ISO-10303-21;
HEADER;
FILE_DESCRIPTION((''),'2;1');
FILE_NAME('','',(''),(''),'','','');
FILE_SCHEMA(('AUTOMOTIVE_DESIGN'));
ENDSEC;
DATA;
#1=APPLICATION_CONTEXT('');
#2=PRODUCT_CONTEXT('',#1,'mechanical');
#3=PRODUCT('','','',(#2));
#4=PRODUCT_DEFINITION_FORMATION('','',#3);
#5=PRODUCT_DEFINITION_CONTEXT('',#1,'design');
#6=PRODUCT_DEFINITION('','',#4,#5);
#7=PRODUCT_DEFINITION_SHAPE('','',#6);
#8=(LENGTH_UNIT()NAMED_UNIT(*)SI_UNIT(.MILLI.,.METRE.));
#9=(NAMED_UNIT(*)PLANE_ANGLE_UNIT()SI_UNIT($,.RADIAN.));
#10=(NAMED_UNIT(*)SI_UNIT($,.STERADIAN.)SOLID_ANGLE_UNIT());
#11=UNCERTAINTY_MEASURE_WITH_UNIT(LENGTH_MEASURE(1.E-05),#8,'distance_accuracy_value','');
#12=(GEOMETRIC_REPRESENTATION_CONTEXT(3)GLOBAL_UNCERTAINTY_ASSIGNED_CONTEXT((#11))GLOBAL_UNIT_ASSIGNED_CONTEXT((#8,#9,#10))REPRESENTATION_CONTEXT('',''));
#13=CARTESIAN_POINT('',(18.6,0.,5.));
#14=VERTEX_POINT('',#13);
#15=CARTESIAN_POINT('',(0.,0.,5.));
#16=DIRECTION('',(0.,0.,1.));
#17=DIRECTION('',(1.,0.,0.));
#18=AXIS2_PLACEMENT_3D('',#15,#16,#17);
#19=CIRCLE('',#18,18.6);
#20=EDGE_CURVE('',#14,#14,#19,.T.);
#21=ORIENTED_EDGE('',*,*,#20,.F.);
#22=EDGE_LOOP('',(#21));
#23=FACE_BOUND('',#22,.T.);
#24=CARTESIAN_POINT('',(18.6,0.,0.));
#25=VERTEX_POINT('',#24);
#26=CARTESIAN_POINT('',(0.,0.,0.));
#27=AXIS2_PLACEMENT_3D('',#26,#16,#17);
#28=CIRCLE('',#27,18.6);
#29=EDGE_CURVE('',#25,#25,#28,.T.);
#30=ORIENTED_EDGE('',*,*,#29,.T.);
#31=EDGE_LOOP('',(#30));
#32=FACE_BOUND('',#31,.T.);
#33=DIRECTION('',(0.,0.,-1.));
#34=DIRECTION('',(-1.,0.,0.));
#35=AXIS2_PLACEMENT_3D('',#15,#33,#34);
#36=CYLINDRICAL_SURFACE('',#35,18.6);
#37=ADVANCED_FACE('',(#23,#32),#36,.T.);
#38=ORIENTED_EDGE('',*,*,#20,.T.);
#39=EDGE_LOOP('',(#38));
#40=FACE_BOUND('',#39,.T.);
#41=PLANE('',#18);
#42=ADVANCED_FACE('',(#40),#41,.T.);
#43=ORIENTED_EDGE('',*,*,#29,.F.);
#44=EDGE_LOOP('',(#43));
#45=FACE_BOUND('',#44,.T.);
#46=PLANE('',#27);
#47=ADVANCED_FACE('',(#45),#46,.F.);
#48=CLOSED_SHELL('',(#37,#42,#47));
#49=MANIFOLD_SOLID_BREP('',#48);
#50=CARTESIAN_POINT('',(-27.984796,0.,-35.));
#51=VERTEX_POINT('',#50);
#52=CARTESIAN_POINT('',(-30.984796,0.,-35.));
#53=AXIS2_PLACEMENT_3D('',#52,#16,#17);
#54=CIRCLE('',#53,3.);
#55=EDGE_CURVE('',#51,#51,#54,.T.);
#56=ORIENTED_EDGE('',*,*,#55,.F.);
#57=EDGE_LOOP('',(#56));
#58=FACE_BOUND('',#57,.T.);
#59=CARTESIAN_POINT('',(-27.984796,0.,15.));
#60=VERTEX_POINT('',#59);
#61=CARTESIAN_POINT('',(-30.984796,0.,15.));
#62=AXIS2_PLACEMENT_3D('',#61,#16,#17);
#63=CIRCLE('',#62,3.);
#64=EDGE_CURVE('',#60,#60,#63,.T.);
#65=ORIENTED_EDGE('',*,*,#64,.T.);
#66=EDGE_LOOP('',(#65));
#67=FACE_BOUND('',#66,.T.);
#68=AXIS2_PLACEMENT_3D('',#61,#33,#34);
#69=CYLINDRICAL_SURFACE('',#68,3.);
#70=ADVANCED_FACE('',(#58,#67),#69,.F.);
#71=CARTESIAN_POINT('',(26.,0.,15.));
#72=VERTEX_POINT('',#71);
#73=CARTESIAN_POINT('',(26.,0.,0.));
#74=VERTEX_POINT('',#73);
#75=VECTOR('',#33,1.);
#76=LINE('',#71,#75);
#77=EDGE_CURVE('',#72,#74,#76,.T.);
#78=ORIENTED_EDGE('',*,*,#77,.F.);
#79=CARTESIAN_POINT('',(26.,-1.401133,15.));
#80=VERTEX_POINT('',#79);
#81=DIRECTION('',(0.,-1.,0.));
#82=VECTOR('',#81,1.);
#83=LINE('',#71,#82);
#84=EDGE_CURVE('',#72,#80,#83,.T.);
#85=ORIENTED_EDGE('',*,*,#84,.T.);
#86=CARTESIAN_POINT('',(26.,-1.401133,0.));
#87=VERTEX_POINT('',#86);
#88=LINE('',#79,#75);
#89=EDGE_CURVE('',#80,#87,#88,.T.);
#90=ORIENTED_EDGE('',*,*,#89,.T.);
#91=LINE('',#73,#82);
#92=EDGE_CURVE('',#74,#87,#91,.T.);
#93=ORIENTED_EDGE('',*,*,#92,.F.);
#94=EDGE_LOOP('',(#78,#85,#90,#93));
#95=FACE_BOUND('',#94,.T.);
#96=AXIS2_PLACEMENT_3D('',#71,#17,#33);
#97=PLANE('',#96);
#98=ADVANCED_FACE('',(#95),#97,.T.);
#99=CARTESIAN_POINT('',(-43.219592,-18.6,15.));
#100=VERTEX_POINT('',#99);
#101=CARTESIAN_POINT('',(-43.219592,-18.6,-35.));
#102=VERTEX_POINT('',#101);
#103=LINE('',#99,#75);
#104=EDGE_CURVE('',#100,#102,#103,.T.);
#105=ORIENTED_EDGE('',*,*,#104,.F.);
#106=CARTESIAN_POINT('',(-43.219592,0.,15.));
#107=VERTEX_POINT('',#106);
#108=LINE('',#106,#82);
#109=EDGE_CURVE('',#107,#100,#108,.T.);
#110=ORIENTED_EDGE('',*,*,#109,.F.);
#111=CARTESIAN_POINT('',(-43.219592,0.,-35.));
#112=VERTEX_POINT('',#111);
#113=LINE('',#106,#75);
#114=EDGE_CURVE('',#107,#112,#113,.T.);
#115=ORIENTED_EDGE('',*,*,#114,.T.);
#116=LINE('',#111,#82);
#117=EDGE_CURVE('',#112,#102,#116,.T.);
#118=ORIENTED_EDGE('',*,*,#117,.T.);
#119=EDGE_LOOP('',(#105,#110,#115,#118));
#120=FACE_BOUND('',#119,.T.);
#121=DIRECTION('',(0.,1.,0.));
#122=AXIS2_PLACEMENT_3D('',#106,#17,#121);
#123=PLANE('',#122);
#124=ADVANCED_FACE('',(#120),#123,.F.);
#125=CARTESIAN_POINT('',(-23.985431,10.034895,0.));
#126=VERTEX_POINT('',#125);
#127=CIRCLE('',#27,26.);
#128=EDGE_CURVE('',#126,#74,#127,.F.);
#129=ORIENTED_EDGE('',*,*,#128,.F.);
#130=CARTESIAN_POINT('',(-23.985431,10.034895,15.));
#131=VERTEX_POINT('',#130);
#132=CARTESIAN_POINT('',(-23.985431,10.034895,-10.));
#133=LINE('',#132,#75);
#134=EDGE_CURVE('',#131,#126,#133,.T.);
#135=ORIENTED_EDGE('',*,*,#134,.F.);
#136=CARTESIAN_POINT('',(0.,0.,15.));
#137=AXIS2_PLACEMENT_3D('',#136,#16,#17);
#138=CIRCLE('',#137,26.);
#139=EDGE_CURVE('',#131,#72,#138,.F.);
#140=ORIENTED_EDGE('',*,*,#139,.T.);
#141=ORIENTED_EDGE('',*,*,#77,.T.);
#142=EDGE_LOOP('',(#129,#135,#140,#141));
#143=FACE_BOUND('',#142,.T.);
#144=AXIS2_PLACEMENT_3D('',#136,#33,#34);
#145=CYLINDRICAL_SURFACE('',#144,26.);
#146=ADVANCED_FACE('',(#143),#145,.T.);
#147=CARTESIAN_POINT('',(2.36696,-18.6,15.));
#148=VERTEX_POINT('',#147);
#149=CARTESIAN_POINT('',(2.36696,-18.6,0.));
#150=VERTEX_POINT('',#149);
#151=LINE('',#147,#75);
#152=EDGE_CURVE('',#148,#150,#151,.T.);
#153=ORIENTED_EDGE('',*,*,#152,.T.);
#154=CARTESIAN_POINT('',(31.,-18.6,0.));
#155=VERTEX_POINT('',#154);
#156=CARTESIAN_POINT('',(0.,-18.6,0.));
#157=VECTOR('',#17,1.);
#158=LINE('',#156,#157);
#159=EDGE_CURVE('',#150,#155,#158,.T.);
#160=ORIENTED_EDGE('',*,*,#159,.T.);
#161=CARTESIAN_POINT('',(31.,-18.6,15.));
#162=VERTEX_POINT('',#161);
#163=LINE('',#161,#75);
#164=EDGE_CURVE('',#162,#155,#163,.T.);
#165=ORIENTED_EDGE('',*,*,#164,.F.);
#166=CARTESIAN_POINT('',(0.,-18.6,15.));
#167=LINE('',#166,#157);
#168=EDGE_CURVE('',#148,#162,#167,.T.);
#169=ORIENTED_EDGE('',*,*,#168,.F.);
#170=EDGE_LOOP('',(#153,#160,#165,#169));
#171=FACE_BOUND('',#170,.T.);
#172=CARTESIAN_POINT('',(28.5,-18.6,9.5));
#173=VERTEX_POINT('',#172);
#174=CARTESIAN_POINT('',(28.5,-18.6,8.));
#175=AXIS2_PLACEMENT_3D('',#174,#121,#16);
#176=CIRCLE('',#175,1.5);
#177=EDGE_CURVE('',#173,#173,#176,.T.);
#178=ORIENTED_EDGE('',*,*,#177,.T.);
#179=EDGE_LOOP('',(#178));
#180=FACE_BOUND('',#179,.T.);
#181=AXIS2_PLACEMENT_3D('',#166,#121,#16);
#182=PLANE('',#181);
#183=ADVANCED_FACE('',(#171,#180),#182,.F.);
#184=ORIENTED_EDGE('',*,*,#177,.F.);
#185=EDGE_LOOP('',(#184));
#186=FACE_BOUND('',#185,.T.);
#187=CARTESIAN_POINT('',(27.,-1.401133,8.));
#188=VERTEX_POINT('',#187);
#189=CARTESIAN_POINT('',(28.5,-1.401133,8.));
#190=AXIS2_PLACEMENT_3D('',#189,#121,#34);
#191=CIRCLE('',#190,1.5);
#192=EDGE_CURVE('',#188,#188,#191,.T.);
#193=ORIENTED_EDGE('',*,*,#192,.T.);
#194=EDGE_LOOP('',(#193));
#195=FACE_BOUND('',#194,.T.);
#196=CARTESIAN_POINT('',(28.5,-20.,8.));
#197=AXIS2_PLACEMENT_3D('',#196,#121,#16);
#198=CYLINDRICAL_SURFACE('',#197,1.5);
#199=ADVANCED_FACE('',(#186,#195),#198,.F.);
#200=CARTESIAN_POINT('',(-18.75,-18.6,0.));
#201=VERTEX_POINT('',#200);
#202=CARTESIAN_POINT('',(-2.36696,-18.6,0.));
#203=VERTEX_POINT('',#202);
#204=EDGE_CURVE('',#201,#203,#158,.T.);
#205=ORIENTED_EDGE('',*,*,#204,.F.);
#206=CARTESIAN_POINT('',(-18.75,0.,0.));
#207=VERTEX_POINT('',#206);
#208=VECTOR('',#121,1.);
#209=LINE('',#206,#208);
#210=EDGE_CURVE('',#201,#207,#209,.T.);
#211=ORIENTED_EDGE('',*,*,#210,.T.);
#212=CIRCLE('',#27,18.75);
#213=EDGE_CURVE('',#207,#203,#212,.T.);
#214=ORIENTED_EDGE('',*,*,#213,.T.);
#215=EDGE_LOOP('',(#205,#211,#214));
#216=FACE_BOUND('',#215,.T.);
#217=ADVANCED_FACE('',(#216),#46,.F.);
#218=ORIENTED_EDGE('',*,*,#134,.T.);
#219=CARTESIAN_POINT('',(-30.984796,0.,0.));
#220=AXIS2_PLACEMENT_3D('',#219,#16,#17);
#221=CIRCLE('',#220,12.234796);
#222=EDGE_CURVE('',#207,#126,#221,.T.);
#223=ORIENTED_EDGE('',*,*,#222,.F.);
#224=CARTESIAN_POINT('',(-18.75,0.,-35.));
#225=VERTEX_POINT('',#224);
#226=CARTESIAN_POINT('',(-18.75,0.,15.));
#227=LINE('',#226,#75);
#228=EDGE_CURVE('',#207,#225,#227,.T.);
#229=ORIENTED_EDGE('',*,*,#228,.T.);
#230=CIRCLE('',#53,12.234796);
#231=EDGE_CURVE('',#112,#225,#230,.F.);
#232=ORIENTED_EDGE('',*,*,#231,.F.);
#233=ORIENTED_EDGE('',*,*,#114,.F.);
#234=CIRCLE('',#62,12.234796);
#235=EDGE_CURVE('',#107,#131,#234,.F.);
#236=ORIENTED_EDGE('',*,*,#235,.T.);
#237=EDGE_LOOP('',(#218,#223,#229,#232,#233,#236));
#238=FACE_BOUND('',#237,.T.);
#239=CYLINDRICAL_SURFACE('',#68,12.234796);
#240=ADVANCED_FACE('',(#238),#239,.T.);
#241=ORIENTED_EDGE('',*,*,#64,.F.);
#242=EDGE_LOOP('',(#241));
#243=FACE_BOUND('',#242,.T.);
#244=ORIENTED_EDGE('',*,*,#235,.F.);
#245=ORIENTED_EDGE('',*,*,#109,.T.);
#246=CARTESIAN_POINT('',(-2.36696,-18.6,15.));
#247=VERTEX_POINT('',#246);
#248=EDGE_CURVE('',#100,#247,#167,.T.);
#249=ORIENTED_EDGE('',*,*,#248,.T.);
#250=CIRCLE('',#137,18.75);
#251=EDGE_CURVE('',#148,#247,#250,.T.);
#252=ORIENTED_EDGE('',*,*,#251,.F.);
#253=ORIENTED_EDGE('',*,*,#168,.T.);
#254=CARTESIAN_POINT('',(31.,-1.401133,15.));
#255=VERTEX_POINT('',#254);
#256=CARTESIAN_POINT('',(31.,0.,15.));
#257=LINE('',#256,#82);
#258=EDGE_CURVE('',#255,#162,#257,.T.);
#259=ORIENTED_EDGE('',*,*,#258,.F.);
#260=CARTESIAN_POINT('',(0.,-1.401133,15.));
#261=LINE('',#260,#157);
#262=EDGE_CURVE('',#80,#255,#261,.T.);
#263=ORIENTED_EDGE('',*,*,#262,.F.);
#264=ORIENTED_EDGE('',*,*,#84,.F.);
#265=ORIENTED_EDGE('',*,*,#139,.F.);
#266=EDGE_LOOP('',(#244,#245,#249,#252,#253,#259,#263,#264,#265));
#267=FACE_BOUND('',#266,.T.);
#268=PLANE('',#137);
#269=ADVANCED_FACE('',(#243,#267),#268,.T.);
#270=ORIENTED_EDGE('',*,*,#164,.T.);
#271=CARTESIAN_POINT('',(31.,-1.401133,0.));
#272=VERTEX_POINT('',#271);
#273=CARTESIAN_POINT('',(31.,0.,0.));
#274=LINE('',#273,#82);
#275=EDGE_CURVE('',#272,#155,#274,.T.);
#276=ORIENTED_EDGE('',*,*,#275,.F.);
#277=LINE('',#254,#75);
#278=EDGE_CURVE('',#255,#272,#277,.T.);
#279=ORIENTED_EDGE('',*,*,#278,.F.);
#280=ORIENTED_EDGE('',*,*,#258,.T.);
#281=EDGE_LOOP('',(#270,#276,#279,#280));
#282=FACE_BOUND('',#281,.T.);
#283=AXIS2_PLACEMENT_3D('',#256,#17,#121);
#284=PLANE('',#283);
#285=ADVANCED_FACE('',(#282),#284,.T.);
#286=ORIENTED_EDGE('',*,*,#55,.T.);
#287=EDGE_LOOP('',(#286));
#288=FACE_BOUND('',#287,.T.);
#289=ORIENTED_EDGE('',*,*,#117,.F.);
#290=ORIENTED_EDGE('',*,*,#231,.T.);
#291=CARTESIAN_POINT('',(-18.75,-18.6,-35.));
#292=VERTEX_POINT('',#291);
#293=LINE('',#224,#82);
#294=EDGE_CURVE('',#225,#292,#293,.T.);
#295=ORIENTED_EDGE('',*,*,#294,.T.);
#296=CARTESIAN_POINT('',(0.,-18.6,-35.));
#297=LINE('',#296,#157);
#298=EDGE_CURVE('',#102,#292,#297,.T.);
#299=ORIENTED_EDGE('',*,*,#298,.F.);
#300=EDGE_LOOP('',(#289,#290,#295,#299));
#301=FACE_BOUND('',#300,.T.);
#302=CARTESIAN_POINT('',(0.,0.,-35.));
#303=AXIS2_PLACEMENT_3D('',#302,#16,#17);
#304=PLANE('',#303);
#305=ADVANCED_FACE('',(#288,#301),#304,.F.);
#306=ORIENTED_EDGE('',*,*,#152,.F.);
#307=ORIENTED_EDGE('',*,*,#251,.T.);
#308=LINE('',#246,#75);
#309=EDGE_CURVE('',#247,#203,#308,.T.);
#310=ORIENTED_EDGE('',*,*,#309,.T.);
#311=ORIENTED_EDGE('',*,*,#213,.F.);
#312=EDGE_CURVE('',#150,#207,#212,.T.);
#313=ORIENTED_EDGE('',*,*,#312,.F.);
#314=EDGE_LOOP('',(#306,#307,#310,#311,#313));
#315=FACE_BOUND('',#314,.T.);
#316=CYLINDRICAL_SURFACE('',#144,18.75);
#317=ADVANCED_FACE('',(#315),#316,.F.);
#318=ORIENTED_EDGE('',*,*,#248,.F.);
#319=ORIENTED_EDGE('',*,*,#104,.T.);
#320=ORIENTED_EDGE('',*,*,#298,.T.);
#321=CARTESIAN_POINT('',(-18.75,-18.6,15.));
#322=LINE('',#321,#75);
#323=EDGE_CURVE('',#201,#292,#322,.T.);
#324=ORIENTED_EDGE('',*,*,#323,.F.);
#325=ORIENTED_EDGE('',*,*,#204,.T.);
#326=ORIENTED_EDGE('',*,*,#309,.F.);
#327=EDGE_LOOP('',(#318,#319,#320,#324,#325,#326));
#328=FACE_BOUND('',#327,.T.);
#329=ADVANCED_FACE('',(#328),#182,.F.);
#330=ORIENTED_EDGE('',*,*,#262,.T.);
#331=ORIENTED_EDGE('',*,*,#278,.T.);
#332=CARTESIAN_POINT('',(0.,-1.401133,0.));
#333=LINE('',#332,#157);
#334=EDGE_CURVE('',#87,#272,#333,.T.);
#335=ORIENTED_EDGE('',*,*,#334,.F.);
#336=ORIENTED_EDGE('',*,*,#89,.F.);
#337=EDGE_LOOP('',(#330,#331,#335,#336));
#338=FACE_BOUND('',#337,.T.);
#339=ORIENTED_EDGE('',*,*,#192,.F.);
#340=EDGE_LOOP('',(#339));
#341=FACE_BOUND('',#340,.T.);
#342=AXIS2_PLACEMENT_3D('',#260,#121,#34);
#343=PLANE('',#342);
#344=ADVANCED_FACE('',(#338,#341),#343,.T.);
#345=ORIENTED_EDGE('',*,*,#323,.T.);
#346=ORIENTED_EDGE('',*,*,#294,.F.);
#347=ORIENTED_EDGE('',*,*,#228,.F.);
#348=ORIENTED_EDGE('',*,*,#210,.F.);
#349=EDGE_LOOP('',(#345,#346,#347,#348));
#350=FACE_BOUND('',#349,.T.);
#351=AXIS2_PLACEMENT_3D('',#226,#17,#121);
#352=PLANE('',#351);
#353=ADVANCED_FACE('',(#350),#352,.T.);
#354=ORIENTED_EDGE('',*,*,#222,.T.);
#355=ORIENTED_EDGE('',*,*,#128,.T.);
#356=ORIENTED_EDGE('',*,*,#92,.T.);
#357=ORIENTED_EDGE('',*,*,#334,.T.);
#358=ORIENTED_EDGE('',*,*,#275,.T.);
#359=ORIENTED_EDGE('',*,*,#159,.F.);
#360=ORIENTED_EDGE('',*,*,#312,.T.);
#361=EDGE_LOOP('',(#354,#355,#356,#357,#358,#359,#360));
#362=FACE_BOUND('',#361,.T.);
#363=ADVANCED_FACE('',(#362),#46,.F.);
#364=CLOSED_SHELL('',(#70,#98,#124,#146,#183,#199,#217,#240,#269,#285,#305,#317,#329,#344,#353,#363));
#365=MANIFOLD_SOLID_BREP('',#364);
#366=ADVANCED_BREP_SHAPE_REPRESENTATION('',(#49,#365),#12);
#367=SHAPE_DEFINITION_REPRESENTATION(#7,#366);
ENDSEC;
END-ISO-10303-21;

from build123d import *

# Parameters (mm, degrees)
BOSS_EXTRUDE1_DEPTH = 5
BOSS_EXTRUDE2_DEPTH = 15
SKETCH2_R           = 1.5
CUT_EXTRUDE1_DEPTH  = 20
BOSS_EXTRUDE3_START = -35
SKETCH3_R           = 3
BOSS_EXTRUDE3_DEPTH = 50


with BuildPart() as part:
    # Sketch1 → Boss-Extrude1 (new body)
    with BuildSketch(Plane.XY):
        with BuildLine():
            ThreePointArc((18.6, 0), (-13.152186141, 13.152186119), (3.1e-08, -18.6))
            ThreePointArc((3.1e-08, -18.6), (13.152186141, -13.152186119), (18.6, 0))
        make_face()
    extrude(amount=BOSS_EXTRUDE1_DEPTH)


with BuildPart() as body_2:
    # Sketch1<3> → Boss-Extrude2 (new body)
    with BuildSketch(Plane.XY):
        with BuildLine():
            ThreePointArc((26, 0), (0, 26), (-26, 0))
            Line((-26, 0), (-26, -1.40113329))
            Line((-26, -1.40113329), (-26, -18.6))
            Line((-26, -18.6), (-2.366960076, -18.6))
            ThreePointArc((-2.366960076, -18.6), (-12.393183582, 14.070234565), (18.75, 0))
            ThreePointArc((18.75, 0), (14.070234565, -12.393183582), (2.366960076, -18.6))
            Line((2.366960076, -18.6), (31, -18.6))
            Line((31, -18.6), (31, -1.40113329))
            Line((31, -1.40113329), (26, -1.40113329))
            Line((26, -1.40113329), (26, 0))
        make_face()
    extrude(amount=BOSS_EXTRUDE2_DEPTH)

    # Sketch2 → Cut-Extrude1 (cut)
    with BuildSketch(Plane(origin=(0, 0, 0), x_dir=(1, 0, 0), z_dir=(0, 1, 0))):
        with Locations((-28.5, -8)):
            Circle(SKETCH2_R)
        with Locations((28.5, -8)):
            Circle(SKETCH2_R)
    extrude(amount=-CUT_EXTRUDE1_DEPTH, mode=Mode.SUBTRACT)

    # Sketch3 → Boss-Extrude3 (add)
    with BuildSketch(Plane.XY.offset(BOSS_EXTRUDE3_START)):
        with BuildLine():
            ThreePointArc((-18.75, 0), (-30.984795994, 12.234795994), (-43.219591988, 0))
            Line((-43.219591988, 0), (-43.219591988, -18.6))
            Line((-43.219591988, -18.6), (-24.525129365, -18.6))
            Line((-24.525129365, -18.6), (-18.75, -18.6))
            Line((-18.75, -18.6), (-18.75, 0))
        make_face()
        with Locations((-30.984795994, 0)):
            Circle(SKETCH3_R, mode=Mode.SUBTRACT)
    extrude(amount=BOSS_EXTRUDE3_DEPTH)


solid = Compound([part.part, body_2.part])
